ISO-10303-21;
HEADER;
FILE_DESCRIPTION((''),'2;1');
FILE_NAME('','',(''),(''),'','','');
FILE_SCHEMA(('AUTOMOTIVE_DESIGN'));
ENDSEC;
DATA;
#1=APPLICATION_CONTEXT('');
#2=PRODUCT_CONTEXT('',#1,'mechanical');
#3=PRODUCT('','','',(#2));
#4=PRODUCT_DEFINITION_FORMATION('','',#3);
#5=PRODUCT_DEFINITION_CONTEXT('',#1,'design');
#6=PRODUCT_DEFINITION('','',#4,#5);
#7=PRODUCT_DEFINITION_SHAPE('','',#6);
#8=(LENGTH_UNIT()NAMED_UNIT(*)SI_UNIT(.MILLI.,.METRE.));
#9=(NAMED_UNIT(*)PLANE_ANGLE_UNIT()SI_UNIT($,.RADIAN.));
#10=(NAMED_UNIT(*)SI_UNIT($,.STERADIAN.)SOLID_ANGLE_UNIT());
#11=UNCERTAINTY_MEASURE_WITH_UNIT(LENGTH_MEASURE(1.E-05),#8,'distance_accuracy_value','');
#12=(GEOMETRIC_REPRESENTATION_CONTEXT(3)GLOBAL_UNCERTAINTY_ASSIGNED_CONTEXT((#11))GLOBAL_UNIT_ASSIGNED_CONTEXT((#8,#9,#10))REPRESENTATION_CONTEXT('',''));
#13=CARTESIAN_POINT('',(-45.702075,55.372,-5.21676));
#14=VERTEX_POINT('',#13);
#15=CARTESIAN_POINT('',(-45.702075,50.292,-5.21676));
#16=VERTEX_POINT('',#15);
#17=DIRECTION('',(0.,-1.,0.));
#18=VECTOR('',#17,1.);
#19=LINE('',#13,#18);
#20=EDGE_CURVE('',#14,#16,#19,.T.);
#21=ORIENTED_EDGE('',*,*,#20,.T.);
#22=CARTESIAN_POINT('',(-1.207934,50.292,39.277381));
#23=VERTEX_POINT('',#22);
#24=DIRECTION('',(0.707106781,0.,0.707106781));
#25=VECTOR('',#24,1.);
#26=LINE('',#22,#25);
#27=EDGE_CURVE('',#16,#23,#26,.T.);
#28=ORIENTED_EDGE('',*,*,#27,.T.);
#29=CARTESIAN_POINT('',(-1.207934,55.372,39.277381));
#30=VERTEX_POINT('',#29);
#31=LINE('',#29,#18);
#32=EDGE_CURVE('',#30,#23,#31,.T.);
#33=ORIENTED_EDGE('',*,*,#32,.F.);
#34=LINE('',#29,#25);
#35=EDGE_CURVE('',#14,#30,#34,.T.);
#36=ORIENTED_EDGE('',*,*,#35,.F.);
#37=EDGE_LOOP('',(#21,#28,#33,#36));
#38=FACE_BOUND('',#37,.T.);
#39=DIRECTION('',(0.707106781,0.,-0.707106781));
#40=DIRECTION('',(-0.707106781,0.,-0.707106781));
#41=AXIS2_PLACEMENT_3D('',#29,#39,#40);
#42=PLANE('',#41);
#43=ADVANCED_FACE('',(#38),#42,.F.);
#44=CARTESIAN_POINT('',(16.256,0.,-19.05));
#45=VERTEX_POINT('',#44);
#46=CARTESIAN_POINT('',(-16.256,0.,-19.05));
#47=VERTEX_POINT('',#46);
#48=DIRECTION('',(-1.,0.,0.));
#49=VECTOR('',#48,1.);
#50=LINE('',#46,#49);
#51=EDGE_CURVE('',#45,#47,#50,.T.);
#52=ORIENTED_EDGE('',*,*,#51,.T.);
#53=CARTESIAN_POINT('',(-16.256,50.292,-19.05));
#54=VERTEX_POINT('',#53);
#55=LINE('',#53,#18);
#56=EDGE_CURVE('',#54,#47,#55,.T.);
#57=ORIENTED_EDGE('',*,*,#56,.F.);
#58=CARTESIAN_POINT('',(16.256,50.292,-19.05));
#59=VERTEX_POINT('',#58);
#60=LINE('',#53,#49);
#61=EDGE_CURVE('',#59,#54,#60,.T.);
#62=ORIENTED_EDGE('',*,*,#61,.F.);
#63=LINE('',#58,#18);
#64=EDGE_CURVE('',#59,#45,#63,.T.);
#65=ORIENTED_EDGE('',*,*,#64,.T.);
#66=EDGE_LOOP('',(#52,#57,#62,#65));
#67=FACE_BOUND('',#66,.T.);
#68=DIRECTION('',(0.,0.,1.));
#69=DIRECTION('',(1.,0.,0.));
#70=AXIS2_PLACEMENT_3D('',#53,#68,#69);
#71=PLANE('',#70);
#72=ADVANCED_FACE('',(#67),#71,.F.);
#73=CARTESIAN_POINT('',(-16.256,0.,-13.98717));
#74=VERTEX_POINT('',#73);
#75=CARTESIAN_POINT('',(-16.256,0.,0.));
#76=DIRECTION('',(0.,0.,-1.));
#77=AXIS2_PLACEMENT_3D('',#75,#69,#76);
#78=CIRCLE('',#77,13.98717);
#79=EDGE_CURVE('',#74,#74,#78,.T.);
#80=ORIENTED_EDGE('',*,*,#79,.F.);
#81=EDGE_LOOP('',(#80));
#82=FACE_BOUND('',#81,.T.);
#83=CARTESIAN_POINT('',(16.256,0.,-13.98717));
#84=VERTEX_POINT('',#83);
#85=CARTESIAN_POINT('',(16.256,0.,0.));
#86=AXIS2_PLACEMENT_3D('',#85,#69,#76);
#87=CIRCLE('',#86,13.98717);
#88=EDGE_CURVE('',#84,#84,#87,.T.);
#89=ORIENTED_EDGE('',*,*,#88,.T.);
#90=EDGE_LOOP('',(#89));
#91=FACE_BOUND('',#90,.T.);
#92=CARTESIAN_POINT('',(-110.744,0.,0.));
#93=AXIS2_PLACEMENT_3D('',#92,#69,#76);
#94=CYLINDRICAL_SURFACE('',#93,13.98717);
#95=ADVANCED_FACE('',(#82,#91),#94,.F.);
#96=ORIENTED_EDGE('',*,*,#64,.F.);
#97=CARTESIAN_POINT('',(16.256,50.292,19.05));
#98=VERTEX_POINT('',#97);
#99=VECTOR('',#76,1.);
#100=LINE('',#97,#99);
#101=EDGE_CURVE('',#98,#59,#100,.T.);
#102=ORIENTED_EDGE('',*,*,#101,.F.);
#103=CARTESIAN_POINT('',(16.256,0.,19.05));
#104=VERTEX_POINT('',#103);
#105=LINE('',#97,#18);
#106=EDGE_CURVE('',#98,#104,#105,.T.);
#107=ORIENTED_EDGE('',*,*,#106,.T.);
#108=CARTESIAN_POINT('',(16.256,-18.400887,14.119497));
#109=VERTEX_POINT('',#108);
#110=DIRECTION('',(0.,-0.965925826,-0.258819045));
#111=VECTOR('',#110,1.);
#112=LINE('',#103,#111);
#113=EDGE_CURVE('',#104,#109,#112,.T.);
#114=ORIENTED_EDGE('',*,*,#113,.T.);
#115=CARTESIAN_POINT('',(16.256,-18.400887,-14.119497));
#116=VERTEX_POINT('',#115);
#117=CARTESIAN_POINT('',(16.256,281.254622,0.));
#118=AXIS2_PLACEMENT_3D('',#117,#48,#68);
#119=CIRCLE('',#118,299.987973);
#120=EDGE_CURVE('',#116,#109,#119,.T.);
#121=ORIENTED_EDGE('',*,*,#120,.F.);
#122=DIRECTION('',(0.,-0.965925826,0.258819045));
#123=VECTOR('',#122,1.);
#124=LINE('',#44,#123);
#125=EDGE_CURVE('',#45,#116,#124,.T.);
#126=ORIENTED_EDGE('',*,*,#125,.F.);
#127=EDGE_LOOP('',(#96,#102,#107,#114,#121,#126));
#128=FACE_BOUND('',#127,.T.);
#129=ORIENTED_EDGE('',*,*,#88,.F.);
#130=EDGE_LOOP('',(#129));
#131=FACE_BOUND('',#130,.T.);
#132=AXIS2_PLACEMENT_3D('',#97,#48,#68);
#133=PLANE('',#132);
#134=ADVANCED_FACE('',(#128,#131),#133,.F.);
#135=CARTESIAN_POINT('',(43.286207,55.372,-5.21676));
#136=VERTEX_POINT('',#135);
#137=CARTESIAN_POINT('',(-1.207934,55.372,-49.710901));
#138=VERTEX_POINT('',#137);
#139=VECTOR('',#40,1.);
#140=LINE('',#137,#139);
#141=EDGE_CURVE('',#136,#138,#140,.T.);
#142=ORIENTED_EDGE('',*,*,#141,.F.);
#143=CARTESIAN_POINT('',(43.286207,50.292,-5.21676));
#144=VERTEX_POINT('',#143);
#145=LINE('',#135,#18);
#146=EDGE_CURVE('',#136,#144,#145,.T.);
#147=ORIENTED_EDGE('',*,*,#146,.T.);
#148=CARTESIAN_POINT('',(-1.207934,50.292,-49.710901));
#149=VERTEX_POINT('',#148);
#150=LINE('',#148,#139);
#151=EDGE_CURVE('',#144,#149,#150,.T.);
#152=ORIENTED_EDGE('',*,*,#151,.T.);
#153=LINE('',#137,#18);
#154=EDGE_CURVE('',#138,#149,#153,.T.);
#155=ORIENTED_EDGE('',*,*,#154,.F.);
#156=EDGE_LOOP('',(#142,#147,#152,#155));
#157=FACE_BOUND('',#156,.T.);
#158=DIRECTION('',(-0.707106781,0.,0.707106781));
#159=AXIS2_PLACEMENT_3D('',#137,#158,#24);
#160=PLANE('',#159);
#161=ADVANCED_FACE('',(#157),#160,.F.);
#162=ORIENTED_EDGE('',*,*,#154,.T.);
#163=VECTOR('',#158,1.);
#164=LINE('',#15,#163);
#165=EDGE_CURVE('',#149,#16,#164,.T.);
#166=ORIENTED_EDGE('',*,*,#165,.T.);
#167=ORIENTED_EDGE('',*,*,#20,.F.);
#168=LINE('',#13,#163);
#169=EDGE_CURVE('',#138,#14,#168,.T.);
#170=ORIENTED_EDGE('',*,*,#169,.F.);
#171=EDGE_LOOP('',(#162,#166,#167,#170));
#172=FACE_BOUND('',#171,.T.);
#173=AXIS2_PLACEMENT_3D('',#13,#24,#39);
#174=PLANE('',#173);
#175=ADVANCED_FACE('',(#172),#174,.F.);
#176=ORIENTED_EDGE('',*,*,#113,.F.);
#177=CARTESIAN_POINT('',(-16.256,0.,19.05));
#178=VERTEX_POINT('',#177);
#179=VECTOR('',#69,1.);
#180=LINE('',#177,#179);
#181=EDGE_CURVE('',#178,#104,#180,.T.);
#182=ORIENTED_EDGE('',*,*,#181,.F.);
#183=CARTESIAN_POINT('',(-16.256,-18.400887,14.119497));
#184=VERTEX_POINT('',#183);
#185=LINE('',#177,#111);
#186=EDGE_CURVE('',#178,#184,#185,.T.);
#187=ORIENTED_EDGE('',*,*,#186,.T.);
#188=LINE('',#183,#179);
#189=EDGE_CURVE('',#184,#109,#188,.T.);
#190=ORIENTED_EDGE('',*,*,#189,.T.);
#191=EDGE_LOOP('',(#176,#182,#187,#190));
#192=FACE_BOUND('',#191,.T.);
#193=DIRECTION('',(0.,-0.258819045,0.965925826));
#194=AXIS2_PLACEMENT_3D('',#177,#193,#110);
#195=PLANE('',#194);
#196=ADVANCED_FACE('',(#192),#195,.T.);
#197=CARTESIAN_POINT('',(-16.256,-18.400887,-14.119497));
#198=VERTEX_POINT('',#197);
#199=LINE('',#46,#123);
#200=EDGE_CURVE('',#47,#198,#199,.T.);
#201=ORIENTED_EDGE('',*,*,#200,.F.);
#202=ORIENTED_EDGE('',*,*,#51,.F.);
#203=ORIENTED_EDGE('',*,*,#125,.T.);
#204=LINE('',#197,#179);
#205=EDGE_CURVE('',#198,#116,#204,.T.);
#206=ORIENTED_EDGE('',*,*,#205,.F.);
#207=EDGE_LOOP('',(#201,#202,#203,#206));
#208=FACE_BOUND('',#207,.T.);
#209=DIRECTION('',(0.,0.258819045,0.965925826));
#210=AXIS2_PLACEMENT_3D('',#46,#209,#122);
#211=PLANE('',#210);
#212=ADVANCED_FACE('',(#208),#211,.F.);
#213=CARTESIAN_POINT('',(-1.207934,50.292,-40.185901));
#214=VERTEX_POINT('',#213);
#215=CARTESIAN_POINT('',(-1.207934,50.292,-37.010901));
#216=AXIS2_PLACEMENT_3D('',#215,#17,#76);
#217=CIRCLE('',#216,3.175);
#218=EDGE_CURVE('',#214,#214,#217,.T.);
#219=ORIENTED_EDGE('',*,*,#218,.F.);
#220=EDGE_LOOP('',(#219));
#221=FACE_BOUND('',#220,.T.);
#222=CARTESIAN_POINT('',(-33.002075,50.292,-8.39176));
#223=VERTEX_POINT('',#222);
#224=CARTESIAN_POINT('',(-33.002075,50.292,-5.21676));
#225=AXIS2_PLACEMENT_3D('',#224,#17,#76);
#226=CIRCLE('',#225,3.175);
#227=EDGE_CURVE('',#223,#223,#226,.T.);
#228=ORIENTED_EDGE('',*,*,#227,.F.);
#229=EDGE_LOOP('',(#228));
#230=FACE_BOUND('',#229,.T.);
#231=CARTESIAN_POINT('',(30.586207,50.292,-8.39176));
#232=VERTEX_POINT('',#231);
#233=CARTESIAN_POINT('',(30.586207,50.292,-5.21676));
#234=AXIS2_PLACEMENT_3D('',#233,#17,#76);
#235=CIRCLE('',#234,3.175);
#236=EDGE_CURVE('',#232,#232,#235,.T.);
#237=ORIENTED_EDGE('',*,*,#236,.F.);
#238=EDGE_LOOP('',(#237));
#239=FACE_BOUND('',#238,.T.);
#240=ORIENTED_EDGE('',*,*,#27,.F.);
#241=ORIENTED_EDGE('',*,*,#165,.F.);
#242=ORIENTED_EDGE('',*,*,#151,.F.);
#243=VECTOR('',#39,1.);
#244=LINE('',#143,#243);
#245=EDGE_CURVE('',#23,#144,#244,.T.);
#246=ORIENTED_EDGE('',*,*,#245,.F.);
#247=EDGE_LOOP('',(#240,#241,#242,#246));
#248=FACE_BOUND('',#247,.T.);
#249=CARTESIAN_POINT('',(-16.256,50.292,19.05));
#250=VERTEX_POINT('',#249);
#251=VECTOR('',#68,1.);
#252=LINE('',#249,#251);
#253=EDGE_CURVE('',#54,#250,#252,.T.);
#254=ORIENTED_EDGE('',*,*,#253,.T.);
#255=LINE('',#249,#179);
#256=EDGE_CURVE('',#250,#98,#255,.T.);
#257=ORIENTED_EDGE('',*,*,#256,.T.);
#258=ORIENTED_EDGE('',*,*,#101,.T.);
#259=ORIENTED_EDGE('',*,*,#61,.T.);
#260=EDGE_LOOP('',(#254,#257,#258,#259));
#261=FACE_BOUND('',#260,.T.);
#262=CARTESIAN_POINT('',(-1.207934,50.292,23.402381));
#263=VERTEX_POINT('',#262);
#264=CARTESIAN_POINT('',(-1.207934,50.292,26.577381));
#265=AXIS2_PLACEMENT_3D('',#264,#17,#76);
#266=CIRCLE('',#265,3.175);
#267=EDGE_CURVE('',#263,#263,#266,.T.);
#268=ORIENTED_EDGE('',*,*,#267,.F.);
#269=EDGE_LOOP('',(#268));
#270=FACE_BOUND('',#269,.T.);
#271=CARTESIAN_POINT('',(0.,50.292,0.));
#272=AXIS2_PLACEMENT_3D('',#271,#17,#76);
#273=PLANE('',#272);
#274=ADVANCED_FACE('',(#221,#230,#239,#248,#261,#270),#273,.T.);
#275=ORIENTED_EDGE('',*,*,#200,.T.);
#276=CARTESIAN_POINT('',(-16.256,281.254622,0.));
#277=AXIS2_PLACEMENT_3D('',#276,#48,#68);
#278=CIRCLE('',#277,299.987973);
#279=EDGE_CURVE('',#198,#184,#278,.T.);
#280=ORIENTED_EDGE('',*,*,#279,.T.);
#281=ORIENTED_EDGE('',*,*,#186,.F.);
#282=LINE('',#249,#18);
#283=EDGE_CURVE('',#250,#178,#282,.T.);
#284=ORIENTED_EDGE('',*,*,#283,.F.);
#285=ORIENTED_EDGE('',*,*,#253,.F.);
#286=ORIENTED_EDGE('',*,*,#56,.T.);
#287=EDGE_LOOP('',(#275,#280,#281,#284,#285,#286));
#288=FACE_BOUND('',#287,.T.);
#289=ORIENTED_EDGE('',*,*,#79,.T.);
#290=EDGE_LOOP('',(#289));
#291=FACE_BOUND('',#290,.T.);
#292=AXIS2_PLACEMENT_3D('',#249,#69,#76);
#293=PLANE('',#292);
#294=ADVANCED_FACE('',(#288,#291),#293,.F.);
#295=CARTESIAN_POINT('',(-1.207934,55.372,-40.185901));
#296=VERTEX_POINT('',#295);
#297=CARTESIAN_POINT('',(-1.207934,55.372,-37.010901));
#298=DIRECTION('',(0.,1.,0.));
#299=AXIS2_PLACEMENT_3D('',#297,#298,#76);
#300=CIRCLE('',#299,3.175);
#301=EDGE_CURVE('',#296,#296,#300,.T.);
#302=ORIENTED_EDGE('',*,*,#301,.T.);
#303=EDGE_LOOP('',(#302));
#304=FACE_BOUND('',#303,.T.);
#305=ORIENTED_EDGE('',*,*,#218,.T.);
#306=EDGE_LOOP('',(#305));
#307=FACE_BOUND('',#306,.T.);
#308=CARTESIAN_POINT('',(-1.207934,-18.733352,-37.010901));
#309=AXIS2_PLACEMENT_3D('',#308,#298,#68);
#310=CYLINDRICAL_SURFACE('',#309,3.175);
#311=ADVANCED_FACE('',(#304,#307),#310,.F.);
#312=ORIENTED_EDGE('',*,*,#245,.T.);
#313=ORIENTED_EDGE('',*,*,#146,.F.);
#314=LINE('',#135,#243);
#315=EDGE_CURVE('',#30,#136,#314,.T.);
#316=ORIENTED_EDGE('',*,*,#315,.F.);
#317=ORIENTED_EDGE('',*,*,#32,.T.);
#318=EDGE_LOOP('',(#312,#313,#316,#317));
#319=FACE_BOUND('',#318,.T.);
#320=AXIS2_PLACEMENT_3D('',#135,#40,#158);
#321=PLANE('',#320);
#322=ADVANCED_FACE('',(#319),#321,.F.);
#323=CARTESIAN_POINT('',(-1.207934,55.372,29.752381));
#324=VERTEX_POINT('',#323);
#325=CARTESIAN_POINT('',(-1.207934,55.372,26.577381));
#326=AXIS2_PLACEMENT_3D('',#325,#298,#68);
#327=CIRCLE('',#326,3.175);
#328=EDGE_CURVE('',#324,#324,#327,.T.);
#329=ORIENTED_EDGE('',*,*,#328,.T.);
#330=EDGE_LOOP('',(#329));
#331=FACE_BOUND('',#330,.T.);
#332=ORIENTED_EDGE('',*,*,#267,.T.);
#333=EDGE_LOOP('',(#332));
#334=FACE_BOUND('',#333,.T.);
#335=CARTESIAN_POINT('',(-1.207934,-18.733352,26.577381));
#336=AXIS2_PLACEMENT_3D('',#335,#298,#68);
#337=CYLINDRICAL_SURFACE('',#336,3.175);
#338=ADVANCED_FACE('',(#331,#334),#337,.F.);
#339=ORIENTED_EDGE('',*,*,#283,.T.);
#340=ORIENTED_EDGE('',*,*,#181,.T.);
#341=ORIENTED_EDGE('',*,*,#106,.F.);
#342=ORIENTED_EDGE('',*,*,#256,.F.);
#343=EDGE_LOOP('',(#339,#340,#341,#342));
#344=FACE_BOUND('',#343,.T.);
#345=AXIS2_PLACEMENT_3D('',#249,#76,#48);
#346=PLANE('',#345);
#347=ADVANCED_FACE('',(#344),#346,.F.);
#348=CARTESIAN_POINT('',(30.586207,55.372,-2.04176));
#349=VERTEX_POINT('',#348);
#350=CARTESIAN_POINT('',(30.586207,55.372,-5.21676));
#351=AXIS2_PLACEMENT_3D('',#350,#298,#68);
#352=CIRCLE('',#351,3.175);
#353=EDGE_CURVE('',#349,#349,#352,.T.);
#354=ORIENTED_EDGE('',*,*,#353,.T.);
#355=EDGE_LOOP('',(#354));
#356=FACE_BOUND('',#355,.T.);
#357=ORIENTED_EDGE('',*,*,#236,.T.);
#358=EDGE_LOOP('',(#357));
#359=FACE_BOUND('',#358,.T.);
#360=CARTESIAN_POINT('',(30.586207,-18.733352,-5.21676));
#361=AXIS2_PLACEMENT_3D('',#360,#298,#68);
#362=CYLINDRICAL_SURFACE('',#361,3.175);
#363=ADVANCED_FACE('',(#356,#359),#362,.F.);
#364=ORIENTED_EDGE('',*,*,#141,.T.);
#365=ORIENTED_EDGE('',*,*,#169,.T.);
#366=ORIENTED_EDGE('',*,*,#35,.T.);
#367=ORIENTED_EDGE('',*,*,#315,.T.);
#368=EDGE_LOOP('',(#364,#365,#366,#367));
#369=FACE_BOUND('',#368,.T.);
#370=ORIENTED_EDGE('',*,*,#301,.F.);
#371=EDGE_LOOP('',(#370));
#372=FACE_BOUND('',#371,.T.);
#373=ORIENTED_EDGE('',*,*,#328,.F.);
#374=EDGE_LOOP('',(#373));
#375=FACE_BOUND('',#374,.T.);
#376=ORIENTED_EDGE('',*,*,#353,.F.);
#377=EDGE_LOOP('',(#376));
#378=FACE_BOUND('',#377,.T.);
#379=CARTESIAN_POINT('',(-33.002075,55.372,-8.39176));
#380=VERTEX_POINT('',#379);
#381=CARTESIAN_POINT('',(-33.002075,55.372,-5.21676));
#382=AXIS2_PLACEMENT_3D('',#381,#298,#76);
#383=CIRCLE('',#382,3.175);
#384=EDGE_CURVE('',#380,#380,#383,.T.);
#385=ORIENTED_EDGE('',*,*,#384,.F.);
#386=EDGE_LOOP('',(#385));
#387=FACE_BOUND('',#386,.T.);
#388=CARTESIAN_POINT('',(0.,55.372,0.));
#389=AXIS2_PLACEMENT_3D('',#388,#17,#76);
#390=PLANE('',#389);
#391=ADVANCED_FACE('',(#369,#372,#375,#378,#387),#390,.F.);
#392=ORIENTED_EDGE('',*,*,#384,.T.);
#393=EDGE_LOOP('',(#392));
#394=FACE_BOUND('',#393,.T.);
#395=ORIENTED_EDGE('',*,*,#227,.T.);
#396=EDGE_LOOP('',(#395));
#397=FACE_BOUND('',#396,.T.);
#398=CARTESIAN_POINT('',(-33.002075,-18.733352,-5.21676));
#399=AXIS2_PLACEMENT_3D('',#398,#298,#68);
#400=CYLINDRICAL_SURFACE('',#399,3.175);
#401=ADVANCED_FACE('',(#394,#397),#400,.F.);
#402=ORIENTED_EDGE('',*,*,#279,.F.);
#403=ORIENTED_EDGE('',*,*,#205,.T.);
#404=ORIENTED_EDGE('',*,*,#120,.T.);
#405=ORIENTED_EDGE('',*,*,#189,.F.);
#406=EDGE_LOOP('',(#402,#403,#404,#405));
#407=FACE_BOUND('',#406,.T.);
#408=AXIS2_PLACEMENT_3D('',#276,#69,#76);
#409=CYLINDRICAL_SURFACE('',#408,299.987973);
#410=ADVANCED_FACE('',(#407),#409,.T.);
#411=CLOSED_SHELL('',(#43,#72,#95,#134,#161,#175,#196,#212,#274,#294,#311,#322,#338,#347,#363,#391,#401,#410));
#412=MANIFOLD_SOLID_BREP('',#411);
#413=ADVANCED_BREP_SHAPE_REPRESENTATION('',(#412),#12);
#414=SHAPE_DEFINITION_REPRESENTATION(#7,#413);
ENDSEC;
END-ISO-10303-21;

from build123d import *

# Parameters (mm, degrees)
SKETCH1_W           = 32.512
SKETCH1_H           = 38.1
BOSS_EXTRUDE1_DEPTH = 50.292
BOSS_EXTRUDE2_DEPTH = 32.512
SKETCH3_R           = 13.9871704
CUT_EXTRUDE1_DEPTH  = 127
BOSS_EXTRUDE3_DEPTH = 5.08
SKETCH5_R           = 3.175
CUT_EXTRUDE2_DEPTH  = 101.256951791


with BuildPart() as part:
    # Sketch1 → Boss-Extrude1 (new body)
    with BuildSketch(Plane(origin=(0, 0, 0), x_dir=(1, 0, 0), z_dir=(0, 1, 0))):
        Rectangle(SKETCH1_W, SKETCH1_H)
    extrude(amount=BOSS_EXTRUDE1_DEPTH)

    # Sketch2 → Boss-Extrude2 (add)
    with BuildSketch(Plane(origin=(16.256, 0, 0), x_dir=(0, 0, -1), z_dir=(1, 0, 0))):
        with BuildLine():
            Line((-19.05, 0), (-14.119497191, -18.400886991))
            ThreePointArc((-14.119497191, -18.400886991), (0, -18.733351542), (14.119497191, -18.400886991))
            Line((14.119497191, -18.400886991), (19.05, 0))
            Line((19.05, 0), (-19.05, 0))
        make_face()
    extrude(amount=-BOSS_EXTRUDE2_DEPTH)

    # Sketch3 → Cut-Extrude1 (cut)
    with BuildSketch(Plane(origin=(16.256, 0, 0), x_dir=(0, 0, -1), z_dir=(1, 0, 0))):
        Circle(SKETCH3_R)
    extrude(amount=-CUT_EXTRUDE1_DEPTH, mode=Mode.SUBTRACT)

    # Sketch4 → Boss-Extrude3 (add)
    with BuildSketch(Plane(origin=(0, 50.292, 0), x_dir=(1, 0, 0), z_dir=(0, 1, 0))):
        Polygon((-1.207933769, -39.277381208), (-45.702074629, 5.216759653), (-1.207933769, 49.710900513), (43.286207092, 5.216759653), align=None)
    extrude(amount=BOSS_EXTRUDE3_DEPTH)

    # Sketch5 → Cut-Extrude2 (cut, through all)
    with BuildSketch(Plane(origin=(0, 55.372, 0), x_dir=(1, 0, 0), z_dir=(0, 1, 0))):
        with Locations(Location((30.586207092, 5.216759653, 0), (0, 0, 270))):
            Circle(SKETCH5_R)
        with Locations(Location((-1.207933769, -26.577381208, 0), (0, 0, 270))):
            Circle(SKETCH5_R)
        with Locations(Location((-1.207933769, 37.010900513, 0), (0, 0, 90))):
            Circle(SKETCH5_R)
        with Locations(Location((-33.002074629, 5.216759653, 0), (0, 0, 90))):
            Circle(SKETCH5_R)
    extrude(amount=-CUT_EXTRUDE2_DEPTH, mode=Mode.SUBTRACT)


solid = part.part
